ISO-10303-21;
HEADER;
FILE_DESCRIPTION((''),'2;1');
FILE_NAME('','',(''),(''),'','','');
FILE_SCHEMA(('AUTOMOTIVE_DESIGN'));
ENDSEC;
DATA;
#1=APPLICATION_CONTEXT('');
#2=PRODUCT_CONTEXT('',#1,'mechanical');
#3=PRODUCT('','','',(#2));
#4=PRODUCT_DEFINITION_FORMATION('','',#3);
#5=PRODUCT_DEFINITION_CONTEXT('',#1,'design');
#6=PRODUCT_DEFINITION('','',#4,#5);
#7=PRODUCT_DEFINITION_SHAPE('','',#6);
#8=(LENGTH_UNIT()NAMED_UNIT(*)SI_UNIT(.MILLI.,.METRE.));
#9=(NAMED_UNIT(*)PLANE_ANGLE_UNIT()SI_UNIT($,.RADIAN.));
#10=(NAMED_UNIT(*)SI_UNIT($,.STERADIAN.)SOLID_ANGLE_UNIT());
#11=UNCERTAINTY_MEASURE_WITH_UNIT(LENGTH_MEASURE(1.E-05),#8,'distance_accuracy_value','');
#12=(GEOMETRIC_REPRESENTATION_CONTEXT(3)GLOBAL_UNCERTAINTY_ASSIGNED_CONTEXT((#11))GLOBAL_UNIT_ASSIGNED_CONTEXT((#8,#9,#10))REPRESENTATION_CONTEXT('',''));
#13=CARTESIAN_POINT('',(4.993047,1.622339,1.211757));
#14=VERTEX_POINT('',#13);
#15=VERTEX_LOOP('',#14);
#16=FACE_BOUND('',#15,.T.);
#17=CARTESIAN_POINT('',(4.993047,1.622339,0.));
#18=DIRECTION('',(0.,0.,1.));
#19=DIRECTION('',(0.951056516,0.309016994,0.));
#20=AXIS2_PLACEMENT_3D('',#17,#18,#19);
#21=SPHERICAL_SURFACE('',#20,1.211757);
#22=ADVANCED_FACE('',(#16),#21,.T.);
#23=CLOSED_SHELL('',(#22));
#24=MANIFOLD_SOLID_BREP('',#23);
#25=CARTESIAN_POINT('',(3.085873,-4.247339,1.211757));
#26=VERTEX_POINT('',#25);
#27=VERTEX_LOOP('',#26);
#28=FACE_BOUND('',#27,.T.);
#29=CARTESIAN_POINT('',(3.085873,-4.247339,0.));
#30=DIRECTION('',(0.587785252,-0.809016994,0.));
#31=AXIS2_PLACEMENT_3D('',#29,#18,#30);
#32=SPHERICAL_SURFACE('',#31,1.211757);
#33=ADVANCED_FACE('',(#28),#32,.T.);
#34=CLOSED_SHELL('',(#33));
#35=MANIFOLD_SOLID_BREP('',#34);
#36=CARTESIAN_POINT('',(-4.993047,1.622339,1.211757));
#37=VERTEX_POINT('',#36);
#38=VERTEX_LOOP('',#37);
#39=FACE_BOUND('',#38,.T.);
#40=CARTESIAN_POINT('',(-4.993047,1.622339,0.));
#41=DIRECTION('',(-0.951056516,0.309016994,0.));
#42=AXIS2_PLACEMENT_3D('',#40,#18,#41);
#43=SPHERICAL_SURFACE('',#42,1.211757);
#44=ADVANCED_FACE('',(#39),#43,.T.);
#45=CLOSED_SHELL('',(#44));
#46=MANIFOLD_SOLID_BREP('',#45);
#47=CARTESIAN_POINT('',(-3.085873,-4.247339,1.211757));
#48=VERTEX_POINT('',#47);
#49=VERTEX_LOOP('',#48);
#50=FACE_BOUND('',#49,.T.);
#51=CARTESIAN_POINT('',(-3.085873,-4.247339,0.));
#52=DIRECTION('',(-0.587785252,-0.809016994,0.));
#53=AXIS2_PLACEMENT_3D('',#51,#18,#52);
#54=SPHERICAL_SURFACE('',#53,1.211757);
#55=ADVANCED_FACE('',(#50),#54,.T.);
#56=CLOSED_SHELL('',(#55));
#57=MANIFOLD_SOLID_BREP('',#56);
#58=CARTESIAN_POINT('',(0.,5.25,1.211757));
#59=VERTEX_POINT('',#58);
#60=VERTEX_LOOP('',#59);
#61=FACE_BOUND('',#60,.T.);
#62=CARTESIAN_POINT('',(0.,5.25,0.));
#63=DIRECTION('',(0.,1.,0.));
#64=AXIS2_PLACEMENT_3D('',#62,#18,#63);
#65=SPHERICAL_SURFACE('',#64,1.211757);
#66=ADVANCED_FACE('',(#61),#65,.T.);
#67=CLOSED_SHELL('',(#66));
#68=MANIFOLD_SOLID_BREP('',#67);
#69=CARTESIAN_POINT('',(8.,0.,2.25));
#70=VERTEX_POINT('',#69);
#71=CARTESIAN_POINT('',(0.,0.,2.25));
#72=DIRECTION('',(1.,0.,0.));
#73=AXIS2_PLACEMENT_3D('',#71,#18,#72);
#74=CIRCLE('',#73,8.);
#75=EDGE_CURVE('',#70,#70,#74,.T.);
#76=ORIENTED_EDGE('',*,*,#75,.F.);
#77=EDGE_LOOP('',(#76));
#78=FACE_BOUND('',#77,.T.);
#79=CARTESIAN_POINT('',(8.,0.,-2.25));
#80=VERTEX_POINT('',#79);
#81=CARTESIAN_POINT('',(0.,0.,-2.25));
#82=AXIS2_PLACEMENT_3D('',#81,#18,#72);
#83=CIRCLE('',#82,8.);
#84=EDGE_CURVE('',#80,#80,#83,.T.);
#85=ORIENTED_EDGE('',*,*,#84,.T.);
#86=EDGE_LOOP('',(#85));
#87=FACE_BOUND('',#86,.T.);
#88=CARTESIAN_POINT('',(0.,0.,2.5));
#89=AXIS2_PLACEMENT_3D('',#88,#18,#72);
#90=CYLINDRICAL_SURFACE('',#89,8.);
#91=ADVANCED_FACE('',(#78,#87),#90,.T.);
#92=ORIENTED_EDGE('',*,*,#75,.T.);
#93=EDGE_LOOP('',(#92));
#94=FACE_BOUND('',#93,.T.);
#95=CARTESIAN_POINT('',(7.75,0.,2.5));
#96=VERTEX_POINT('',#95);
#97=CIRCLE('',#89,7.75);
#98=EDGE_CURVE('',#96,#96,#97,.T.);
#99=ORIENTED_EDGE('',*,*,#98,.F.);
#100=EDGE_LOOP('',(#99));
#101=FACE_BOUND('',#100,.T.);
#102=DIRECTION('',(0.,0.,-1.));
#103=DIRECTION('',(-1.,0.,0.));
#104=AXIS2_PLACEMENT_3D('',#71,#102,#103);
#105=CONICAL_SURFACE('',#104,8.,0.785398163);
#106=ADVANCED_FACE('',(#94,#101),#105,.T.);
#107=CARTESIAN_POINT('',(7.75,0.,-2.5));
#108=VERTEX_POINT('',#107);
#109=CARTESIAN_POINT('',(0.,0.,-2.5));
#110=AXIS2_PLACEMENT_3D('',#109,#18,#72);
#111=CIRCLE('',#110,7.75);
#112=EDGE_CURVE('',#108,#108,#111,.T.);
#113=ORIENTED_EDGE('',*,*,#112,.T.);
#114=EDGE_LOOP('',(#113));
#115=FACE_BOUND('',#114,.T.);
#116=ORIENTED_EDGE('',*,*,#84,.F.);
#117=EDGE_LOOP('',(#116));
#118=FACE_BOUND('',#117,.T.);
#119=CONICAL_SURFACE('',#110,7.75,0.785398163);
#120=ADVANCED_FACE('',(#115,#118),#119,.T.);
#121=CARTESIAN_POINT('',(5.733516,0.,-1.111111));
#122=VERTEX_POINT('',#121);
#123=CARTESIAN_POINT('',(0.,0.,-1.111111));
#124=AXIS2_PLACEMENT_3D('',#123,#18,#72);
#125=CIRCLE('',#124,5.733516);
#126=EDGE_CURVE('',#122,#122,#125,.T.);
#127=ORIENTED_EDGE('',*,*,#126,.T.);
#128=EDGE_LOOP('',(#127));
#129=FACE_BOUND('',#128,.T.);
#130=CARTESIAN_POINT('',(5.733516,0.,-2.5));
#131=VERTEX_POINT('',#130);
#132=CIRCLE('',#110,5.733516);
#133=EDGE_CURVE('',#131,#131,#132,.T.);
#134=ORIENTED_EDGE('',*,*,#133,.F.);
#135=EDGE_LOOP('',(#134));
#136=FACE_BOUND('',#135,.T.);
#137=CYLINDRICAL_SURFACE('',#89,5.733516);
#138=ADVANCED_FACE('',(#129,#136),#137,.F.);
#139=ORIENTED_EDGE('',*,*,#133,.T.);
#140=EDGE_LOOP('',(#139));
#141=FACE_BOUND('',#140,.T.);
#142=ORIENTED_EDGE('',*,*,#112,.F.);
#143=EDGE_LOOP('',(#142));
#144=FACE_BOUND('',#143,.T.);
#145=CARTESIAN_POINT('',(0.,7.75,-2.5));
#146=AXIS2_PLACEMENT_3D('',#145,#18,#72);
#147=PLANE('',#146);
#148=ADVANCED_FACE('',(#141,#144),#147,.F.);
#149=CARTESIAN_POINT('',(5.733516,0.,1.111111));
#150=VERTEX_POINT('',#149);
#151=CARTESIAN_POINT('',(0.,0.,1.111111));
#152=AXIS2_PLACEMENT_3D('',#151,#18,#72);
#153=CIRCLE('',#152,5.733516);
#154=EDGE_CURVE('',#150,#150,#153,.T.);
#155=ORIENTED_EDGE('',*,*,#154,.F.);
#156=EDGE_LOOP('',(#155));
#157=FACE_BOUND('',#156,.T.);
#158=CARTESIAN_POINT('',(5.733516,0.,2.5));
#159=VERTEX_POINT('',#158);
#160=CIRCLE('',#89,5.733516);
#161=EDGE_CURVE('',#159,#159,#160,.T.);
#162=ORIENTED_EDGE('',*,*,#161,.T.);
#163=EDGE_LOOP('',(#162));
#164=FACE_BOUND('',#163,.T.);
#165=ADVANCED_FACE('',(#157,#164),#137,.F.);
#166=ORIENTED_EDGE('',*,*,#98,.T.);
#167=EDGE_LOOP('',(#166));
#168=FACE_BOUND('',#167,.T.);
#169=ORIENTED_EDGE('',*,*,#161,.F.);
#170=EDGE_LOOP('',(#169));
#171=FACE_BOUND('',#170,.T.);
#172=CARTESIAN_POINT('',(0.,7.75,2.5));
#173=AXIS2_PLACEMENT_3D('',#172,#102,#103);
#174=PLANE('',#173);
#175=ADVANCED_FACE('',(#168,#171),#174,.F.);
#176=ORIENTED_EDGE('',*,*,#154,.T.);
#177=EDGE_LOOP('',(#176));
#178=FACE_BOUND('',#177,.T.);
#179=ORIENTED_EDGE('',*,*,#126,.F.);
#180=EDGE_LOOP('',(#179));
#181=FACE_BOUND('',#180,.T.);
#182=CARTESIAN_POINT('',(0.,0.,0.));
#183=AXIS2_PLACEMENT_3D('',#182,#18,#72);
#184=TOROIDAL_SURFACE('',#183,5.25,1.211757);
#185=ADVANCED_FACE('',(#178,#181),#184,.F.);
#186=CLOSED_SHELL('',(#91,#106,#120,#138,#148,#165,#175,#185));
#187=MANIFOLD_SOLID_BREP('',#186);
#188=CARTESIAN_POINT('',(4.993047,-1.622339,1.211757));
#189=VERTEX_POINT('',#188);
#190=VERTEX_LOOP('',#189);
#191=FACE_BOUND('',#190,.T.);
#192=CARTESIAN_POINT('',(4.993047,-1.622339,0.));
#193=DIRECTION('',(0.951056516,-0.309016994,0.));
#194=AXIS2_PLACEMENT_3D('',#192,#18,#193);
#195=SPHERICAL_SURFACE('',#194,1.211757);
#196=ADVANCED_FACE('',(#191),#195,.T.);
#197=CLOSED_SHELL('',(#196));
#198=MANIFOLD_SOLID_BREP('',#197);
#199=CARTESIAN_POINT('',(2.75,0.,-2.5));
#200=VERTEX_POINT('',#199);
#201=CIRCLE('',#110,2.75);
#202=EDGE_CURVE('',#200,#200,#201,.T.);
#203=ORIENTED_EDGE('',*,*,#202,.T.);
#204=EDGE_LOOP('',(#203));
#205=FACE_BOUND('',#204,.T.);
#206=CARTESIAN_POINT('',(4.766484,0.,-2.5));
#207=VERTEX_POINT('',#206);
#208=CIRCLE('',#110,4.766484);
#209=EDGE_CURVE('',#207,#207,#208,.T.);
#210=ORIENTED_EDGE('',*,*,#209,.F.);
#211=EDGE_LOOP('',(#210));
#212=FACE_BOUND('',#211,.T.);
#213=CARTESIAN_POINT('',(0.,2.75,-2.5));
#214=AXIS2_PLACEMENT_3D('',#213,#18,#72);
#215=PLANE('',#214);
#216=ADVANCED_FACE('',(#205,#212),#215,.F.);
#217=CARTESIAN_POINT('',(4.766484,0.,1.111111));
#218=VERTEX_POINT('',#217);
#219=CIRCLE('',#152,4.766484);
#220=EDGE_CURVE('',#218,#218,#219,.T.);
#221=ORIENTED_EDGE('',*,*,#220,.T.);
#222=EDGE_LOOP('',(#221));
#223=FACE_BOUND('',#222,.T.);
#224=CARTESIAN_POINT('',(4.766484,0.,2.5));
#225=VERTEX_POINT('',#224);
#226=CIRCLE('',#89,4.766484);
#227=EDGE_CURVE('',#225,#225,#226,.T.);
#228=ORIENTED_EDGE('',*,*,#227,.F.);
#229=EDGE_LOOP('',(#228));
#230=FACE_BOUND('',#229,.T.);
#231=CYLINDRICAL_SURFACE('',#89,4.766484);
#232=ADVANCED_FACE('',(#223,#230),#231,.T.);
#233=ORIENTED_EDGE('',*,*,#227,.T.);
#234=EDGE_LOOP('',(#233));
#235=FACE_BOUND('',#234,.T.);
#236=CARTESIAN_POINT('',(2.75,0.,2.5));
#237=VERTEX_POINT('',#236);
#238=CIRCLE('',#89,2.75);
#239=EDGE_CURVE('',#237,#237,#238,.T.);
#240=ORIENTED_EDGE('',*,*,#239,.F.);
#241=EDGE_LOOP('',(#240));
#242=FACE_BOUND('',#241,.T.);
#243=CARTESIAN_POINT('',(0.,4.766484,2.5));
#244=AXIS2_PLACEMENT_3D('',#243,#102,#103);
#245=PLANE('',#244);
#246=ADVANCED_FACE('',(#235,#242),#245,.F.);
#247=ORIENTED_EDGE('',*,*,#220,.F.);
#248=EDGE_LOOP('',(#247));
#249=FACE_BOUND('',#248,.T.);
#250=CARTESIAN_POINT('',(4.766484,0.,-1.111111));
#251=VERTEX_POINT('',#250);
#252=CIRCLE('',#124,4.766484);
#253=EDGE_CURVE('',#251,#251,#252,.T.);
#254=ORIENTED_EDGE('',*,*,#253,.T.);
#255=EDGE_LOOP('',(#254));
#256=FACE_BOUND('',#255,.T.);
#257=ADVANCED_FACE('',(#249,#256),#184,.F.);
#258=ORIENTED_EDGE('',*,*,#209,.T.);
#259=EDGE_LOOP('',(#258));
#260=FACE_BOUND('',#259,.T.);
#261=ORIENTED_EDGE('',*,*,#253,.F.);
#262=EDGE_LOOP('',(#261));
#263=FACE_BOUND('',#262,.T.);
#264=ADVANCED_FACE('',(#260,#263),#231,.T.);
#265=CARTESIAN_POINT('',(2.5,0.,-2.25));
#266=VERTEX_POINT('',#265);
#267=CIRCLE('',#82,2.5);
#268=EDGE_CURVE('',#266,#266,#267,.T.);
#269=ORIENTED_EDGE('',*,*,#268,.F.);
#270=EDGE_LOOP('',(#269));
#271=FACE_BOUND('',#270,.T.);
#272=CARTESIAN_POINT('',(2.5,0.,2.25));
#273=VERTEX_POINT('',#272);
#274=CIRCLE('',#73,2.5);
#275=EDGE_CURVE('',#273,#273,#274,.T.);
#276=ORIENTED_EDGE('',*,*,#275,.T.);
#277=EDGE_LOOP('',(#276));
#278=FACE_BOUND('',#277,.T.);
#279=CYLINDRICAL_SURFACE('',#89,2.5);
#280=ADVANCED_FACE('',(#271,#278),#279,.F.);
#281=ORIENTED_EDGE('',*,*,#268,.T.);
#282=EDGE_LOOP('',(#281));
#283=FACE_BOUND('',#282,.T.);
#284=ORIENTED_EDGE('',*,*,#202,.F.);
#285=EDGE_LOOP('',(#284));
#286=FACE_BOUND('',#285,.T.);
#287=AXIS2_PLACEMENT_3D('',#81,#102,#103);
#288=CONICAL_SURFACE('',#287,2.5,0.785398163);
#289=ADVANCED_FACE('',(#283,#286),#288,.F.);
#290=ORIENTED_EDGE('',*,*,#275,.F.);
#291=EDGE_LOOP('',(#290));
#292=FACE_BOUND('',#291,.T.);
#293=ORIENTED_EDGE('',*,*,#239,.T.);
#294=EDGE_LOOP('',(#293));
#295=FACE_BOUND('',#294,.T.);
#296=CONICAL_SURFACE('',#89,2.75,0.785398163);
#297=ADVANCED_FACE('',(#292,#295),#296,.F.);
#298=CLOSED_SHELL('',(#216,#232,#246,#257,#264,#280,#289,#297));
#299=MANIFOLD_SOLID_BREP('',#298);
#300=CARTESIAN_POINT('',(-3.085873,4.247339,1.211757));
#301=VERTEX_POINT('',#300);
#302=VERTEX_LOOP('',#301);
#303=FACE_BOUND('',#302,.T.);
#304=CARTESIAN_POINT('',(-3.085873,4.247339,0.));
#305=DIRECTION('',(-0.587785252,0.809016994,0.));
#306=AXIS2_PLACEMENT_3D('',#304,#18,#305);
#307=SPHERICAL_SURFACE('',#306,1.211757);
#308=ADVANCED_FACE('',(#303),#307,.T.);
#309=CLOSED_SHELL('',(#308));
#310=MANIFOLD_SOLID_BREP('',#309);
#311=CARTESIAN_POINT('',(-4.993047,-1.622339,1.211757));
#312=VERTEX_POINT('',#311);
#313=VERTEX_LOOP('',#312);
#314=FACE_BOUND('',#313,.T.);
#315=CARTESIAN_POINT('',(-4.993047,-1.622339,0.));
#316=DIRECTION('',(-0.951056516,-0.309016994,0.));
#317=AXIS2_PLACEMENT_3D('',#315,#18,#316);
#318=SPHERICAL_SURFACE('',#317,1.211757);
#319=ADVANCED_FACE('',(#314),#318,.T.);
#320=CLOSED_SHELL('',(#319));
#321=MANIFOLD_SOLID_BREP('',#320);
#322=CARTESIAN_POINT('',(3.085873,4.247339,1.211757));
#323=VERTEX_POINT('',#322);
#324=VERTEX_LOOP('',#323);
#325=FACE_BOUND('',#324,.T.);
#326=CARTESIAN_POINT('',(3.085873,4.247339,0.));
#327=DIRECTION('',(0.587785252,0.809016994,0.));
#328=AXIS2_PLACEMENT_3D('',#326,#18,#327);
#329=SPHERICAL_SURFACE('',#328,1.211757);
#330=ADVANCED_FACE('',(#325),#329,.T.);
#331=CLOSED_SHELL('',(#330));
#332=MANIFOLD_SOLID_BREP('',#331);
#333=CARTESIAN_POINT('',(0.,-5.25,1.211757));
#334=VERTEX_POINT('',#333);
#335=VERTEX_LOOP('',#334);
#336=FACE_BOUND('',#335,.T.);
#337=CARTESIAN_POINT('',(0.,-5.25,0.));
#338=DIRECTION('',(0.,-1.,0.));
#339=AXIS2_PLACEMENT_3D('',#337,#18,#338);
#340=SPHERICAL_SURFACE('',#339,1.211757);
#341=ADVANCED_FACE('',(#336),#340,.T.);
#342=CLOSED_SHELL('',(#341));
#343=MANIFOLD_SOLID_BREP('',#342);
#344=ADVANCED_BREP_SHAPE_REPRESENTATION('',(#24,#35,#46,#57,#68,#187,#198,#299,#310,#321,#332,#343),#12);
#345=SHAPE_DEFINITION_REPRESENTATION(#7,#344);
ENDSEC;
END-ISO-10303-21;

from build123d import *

# Parameters (mm, degrees)
CIRPATTERN1_COUNT = 10


with BuildPart() as part:
    # Sketch1 → Revolve1 (revolve)
    with BuildSketch(Plane(origin=(0, 0, 0), x_dir=(0, 0, -1), z_dir=(1, 0, 0))):
        with BuildLine():
            Line((2.25, 8), (-2.25, 8))
            Line((-2.25, 8), (-2.5, 7.75))
            Line((-2.5, 7.75), (-2.5, 5.733516484))
            Line((-2.5, 5.733516484), (-1.111111111, 5.733516484))
            ThreePointArc((-1.111111111, 5.733516484), (0, 6.461757439), (1.111111111, 5.733516484))
            Line((1.111111111, 5.733516484), (2.5, 5.733516484))
            Line((2.5, 5.733516484), (2.5, 7.75))
            Line((2.5, 7.75), (2.25, 8))
        make_face()
    revolve(axis=Axis((0, 0, 2.5), (0, 0, -1)))


with BuildPart() as body_2:
    # Sketch3 → Revolve3 (revolve)
    with BuildSketch(Plane(origin=(0, 0, 0), x_dir=(0, 0, -1), z_dir=(1, 0, 0))):
        with BuildLine():
            Line((-2.5, 4.766483516), (-1.111111111, 4.766483516))
            ThreePointArc((-1.111111111, 4.766483516), (0, 4.038242561), (1.111111111, 4.766483516))
            Line((1.111111111, 4.766483516), (2.5, 4.766483516))
            Line((2.5, 4.766483516), (2.5, 2.75))
            Line((2.5, 2.75), (2.25, 2.5))
            Line((2.25, 2.5), (-2.25, 2.5))
            Line((-2.25, 2.5), (-2.5, 2.75))
            Line((-2.5, 2.75), (-2.5, 4.766483516))
        make_face()
    revolve(axis=Axis((0, 0, 2.5), (0, 0, -1)))


with BuildPart() as body_3:
    # Sketch4 → Revolve4 (revolve)
    with BuildSketch(Plane(origin=(0, 0, 0), x_dir=(0, 0, -1), z_dir=(1, 0, 0))):
        with BuildLine():
            Line((-1.211757439, 5.25), (1.211757439, 5.25))
            ThreePointArc((1.211757439, 5.25), (0, 6.461757439), (-1.211757439, 5.25))
        make_face()
    revolve(axis=Axis((0, 5.25, 1.211757439), (0, 0, -1)))


with BuildPart() as cirpattern1_1:
    # CirPattern1: pattern copy
    add(body_3.part.rotate(Axis((0, 0, -2.5), (0, 0, 1)), 1 * 360 / CIRPATTERN1_COUNT))


with BuildPart() as cirpattern1_2:
    # CirPattern1: pattern copy
    add(body_3.part.rotate(Axis((0, 0, -2.5), (0, 0, 1)), 2 * 360 / CIRPATTERN1_COUNT))


with BuildPart() as cirpattern1_3:
    # CirPattern1: pattern copy
    add(body_3.part.rotate(Axis((0, 0, -2.5), (0, 0, 1)), 3 * 360 / CIRPATTERN1_COUNT))


with BuildPart() as cirpattern1_4:
    # CirPattern1: pattern copy
    add(body_3.part.rotate(Axis((0, 0, -2.5), (0, 0, 1)), 4 * 360 / CIRPATTERN1_COUNT))


with BuildPart() as cirpattern1_5:
    # CirPattern1: pattern copy
    add(body_3.part.rotate(Axis((0, 0, -2.5), (0, 0, 1)), 5 * 360 / CIRPATTERN1_COUNT))


with BuildPart() as cirpattern1_6:
    # CirPattern1: pattern copy
    add(body_3.part.rotate(Axis((0, 0, -2.5), (0, 0, 1)), 6 * 360 / CIRPATTERN1_COUNT))


with BuildPart() as cirpattern1_7:
    # CirPattern1: pattern copy
    add(body_3.part.rotate(Axis((0, 0, -2.5), (0, 0, 1)), 7 * 360 / CIRPATTERN1_COUNT))


with BuildPart() as cirpattern1_8:
    # CirPattern1: pattern copy
    add(body_3.part.rotate(Axis((0, 0, -2.5), (0, 0, 1)), 8 * 360 / CIRPATTERN1_COUNT))


with BuildPart() as cirpattern1_9:
    # CirPattern1: pattern copy
    add(body_3.part.rotate(Axis((0, 0, -2.5), (0, 0, 1)), 9 * 360 / CIRPATTERN1_COUNT))


solid = Compound([part.part, body_2.part, body_3.part, cirpattern1_1.part, cirpattern1_2.part, cirpattern1_3.part, cirpattern1_4.part, cirpattern1_5.part, cirpattern1_6.part, cirpattern1_7.part, cirpattern1_8.part, cirpattern1_9.part])
